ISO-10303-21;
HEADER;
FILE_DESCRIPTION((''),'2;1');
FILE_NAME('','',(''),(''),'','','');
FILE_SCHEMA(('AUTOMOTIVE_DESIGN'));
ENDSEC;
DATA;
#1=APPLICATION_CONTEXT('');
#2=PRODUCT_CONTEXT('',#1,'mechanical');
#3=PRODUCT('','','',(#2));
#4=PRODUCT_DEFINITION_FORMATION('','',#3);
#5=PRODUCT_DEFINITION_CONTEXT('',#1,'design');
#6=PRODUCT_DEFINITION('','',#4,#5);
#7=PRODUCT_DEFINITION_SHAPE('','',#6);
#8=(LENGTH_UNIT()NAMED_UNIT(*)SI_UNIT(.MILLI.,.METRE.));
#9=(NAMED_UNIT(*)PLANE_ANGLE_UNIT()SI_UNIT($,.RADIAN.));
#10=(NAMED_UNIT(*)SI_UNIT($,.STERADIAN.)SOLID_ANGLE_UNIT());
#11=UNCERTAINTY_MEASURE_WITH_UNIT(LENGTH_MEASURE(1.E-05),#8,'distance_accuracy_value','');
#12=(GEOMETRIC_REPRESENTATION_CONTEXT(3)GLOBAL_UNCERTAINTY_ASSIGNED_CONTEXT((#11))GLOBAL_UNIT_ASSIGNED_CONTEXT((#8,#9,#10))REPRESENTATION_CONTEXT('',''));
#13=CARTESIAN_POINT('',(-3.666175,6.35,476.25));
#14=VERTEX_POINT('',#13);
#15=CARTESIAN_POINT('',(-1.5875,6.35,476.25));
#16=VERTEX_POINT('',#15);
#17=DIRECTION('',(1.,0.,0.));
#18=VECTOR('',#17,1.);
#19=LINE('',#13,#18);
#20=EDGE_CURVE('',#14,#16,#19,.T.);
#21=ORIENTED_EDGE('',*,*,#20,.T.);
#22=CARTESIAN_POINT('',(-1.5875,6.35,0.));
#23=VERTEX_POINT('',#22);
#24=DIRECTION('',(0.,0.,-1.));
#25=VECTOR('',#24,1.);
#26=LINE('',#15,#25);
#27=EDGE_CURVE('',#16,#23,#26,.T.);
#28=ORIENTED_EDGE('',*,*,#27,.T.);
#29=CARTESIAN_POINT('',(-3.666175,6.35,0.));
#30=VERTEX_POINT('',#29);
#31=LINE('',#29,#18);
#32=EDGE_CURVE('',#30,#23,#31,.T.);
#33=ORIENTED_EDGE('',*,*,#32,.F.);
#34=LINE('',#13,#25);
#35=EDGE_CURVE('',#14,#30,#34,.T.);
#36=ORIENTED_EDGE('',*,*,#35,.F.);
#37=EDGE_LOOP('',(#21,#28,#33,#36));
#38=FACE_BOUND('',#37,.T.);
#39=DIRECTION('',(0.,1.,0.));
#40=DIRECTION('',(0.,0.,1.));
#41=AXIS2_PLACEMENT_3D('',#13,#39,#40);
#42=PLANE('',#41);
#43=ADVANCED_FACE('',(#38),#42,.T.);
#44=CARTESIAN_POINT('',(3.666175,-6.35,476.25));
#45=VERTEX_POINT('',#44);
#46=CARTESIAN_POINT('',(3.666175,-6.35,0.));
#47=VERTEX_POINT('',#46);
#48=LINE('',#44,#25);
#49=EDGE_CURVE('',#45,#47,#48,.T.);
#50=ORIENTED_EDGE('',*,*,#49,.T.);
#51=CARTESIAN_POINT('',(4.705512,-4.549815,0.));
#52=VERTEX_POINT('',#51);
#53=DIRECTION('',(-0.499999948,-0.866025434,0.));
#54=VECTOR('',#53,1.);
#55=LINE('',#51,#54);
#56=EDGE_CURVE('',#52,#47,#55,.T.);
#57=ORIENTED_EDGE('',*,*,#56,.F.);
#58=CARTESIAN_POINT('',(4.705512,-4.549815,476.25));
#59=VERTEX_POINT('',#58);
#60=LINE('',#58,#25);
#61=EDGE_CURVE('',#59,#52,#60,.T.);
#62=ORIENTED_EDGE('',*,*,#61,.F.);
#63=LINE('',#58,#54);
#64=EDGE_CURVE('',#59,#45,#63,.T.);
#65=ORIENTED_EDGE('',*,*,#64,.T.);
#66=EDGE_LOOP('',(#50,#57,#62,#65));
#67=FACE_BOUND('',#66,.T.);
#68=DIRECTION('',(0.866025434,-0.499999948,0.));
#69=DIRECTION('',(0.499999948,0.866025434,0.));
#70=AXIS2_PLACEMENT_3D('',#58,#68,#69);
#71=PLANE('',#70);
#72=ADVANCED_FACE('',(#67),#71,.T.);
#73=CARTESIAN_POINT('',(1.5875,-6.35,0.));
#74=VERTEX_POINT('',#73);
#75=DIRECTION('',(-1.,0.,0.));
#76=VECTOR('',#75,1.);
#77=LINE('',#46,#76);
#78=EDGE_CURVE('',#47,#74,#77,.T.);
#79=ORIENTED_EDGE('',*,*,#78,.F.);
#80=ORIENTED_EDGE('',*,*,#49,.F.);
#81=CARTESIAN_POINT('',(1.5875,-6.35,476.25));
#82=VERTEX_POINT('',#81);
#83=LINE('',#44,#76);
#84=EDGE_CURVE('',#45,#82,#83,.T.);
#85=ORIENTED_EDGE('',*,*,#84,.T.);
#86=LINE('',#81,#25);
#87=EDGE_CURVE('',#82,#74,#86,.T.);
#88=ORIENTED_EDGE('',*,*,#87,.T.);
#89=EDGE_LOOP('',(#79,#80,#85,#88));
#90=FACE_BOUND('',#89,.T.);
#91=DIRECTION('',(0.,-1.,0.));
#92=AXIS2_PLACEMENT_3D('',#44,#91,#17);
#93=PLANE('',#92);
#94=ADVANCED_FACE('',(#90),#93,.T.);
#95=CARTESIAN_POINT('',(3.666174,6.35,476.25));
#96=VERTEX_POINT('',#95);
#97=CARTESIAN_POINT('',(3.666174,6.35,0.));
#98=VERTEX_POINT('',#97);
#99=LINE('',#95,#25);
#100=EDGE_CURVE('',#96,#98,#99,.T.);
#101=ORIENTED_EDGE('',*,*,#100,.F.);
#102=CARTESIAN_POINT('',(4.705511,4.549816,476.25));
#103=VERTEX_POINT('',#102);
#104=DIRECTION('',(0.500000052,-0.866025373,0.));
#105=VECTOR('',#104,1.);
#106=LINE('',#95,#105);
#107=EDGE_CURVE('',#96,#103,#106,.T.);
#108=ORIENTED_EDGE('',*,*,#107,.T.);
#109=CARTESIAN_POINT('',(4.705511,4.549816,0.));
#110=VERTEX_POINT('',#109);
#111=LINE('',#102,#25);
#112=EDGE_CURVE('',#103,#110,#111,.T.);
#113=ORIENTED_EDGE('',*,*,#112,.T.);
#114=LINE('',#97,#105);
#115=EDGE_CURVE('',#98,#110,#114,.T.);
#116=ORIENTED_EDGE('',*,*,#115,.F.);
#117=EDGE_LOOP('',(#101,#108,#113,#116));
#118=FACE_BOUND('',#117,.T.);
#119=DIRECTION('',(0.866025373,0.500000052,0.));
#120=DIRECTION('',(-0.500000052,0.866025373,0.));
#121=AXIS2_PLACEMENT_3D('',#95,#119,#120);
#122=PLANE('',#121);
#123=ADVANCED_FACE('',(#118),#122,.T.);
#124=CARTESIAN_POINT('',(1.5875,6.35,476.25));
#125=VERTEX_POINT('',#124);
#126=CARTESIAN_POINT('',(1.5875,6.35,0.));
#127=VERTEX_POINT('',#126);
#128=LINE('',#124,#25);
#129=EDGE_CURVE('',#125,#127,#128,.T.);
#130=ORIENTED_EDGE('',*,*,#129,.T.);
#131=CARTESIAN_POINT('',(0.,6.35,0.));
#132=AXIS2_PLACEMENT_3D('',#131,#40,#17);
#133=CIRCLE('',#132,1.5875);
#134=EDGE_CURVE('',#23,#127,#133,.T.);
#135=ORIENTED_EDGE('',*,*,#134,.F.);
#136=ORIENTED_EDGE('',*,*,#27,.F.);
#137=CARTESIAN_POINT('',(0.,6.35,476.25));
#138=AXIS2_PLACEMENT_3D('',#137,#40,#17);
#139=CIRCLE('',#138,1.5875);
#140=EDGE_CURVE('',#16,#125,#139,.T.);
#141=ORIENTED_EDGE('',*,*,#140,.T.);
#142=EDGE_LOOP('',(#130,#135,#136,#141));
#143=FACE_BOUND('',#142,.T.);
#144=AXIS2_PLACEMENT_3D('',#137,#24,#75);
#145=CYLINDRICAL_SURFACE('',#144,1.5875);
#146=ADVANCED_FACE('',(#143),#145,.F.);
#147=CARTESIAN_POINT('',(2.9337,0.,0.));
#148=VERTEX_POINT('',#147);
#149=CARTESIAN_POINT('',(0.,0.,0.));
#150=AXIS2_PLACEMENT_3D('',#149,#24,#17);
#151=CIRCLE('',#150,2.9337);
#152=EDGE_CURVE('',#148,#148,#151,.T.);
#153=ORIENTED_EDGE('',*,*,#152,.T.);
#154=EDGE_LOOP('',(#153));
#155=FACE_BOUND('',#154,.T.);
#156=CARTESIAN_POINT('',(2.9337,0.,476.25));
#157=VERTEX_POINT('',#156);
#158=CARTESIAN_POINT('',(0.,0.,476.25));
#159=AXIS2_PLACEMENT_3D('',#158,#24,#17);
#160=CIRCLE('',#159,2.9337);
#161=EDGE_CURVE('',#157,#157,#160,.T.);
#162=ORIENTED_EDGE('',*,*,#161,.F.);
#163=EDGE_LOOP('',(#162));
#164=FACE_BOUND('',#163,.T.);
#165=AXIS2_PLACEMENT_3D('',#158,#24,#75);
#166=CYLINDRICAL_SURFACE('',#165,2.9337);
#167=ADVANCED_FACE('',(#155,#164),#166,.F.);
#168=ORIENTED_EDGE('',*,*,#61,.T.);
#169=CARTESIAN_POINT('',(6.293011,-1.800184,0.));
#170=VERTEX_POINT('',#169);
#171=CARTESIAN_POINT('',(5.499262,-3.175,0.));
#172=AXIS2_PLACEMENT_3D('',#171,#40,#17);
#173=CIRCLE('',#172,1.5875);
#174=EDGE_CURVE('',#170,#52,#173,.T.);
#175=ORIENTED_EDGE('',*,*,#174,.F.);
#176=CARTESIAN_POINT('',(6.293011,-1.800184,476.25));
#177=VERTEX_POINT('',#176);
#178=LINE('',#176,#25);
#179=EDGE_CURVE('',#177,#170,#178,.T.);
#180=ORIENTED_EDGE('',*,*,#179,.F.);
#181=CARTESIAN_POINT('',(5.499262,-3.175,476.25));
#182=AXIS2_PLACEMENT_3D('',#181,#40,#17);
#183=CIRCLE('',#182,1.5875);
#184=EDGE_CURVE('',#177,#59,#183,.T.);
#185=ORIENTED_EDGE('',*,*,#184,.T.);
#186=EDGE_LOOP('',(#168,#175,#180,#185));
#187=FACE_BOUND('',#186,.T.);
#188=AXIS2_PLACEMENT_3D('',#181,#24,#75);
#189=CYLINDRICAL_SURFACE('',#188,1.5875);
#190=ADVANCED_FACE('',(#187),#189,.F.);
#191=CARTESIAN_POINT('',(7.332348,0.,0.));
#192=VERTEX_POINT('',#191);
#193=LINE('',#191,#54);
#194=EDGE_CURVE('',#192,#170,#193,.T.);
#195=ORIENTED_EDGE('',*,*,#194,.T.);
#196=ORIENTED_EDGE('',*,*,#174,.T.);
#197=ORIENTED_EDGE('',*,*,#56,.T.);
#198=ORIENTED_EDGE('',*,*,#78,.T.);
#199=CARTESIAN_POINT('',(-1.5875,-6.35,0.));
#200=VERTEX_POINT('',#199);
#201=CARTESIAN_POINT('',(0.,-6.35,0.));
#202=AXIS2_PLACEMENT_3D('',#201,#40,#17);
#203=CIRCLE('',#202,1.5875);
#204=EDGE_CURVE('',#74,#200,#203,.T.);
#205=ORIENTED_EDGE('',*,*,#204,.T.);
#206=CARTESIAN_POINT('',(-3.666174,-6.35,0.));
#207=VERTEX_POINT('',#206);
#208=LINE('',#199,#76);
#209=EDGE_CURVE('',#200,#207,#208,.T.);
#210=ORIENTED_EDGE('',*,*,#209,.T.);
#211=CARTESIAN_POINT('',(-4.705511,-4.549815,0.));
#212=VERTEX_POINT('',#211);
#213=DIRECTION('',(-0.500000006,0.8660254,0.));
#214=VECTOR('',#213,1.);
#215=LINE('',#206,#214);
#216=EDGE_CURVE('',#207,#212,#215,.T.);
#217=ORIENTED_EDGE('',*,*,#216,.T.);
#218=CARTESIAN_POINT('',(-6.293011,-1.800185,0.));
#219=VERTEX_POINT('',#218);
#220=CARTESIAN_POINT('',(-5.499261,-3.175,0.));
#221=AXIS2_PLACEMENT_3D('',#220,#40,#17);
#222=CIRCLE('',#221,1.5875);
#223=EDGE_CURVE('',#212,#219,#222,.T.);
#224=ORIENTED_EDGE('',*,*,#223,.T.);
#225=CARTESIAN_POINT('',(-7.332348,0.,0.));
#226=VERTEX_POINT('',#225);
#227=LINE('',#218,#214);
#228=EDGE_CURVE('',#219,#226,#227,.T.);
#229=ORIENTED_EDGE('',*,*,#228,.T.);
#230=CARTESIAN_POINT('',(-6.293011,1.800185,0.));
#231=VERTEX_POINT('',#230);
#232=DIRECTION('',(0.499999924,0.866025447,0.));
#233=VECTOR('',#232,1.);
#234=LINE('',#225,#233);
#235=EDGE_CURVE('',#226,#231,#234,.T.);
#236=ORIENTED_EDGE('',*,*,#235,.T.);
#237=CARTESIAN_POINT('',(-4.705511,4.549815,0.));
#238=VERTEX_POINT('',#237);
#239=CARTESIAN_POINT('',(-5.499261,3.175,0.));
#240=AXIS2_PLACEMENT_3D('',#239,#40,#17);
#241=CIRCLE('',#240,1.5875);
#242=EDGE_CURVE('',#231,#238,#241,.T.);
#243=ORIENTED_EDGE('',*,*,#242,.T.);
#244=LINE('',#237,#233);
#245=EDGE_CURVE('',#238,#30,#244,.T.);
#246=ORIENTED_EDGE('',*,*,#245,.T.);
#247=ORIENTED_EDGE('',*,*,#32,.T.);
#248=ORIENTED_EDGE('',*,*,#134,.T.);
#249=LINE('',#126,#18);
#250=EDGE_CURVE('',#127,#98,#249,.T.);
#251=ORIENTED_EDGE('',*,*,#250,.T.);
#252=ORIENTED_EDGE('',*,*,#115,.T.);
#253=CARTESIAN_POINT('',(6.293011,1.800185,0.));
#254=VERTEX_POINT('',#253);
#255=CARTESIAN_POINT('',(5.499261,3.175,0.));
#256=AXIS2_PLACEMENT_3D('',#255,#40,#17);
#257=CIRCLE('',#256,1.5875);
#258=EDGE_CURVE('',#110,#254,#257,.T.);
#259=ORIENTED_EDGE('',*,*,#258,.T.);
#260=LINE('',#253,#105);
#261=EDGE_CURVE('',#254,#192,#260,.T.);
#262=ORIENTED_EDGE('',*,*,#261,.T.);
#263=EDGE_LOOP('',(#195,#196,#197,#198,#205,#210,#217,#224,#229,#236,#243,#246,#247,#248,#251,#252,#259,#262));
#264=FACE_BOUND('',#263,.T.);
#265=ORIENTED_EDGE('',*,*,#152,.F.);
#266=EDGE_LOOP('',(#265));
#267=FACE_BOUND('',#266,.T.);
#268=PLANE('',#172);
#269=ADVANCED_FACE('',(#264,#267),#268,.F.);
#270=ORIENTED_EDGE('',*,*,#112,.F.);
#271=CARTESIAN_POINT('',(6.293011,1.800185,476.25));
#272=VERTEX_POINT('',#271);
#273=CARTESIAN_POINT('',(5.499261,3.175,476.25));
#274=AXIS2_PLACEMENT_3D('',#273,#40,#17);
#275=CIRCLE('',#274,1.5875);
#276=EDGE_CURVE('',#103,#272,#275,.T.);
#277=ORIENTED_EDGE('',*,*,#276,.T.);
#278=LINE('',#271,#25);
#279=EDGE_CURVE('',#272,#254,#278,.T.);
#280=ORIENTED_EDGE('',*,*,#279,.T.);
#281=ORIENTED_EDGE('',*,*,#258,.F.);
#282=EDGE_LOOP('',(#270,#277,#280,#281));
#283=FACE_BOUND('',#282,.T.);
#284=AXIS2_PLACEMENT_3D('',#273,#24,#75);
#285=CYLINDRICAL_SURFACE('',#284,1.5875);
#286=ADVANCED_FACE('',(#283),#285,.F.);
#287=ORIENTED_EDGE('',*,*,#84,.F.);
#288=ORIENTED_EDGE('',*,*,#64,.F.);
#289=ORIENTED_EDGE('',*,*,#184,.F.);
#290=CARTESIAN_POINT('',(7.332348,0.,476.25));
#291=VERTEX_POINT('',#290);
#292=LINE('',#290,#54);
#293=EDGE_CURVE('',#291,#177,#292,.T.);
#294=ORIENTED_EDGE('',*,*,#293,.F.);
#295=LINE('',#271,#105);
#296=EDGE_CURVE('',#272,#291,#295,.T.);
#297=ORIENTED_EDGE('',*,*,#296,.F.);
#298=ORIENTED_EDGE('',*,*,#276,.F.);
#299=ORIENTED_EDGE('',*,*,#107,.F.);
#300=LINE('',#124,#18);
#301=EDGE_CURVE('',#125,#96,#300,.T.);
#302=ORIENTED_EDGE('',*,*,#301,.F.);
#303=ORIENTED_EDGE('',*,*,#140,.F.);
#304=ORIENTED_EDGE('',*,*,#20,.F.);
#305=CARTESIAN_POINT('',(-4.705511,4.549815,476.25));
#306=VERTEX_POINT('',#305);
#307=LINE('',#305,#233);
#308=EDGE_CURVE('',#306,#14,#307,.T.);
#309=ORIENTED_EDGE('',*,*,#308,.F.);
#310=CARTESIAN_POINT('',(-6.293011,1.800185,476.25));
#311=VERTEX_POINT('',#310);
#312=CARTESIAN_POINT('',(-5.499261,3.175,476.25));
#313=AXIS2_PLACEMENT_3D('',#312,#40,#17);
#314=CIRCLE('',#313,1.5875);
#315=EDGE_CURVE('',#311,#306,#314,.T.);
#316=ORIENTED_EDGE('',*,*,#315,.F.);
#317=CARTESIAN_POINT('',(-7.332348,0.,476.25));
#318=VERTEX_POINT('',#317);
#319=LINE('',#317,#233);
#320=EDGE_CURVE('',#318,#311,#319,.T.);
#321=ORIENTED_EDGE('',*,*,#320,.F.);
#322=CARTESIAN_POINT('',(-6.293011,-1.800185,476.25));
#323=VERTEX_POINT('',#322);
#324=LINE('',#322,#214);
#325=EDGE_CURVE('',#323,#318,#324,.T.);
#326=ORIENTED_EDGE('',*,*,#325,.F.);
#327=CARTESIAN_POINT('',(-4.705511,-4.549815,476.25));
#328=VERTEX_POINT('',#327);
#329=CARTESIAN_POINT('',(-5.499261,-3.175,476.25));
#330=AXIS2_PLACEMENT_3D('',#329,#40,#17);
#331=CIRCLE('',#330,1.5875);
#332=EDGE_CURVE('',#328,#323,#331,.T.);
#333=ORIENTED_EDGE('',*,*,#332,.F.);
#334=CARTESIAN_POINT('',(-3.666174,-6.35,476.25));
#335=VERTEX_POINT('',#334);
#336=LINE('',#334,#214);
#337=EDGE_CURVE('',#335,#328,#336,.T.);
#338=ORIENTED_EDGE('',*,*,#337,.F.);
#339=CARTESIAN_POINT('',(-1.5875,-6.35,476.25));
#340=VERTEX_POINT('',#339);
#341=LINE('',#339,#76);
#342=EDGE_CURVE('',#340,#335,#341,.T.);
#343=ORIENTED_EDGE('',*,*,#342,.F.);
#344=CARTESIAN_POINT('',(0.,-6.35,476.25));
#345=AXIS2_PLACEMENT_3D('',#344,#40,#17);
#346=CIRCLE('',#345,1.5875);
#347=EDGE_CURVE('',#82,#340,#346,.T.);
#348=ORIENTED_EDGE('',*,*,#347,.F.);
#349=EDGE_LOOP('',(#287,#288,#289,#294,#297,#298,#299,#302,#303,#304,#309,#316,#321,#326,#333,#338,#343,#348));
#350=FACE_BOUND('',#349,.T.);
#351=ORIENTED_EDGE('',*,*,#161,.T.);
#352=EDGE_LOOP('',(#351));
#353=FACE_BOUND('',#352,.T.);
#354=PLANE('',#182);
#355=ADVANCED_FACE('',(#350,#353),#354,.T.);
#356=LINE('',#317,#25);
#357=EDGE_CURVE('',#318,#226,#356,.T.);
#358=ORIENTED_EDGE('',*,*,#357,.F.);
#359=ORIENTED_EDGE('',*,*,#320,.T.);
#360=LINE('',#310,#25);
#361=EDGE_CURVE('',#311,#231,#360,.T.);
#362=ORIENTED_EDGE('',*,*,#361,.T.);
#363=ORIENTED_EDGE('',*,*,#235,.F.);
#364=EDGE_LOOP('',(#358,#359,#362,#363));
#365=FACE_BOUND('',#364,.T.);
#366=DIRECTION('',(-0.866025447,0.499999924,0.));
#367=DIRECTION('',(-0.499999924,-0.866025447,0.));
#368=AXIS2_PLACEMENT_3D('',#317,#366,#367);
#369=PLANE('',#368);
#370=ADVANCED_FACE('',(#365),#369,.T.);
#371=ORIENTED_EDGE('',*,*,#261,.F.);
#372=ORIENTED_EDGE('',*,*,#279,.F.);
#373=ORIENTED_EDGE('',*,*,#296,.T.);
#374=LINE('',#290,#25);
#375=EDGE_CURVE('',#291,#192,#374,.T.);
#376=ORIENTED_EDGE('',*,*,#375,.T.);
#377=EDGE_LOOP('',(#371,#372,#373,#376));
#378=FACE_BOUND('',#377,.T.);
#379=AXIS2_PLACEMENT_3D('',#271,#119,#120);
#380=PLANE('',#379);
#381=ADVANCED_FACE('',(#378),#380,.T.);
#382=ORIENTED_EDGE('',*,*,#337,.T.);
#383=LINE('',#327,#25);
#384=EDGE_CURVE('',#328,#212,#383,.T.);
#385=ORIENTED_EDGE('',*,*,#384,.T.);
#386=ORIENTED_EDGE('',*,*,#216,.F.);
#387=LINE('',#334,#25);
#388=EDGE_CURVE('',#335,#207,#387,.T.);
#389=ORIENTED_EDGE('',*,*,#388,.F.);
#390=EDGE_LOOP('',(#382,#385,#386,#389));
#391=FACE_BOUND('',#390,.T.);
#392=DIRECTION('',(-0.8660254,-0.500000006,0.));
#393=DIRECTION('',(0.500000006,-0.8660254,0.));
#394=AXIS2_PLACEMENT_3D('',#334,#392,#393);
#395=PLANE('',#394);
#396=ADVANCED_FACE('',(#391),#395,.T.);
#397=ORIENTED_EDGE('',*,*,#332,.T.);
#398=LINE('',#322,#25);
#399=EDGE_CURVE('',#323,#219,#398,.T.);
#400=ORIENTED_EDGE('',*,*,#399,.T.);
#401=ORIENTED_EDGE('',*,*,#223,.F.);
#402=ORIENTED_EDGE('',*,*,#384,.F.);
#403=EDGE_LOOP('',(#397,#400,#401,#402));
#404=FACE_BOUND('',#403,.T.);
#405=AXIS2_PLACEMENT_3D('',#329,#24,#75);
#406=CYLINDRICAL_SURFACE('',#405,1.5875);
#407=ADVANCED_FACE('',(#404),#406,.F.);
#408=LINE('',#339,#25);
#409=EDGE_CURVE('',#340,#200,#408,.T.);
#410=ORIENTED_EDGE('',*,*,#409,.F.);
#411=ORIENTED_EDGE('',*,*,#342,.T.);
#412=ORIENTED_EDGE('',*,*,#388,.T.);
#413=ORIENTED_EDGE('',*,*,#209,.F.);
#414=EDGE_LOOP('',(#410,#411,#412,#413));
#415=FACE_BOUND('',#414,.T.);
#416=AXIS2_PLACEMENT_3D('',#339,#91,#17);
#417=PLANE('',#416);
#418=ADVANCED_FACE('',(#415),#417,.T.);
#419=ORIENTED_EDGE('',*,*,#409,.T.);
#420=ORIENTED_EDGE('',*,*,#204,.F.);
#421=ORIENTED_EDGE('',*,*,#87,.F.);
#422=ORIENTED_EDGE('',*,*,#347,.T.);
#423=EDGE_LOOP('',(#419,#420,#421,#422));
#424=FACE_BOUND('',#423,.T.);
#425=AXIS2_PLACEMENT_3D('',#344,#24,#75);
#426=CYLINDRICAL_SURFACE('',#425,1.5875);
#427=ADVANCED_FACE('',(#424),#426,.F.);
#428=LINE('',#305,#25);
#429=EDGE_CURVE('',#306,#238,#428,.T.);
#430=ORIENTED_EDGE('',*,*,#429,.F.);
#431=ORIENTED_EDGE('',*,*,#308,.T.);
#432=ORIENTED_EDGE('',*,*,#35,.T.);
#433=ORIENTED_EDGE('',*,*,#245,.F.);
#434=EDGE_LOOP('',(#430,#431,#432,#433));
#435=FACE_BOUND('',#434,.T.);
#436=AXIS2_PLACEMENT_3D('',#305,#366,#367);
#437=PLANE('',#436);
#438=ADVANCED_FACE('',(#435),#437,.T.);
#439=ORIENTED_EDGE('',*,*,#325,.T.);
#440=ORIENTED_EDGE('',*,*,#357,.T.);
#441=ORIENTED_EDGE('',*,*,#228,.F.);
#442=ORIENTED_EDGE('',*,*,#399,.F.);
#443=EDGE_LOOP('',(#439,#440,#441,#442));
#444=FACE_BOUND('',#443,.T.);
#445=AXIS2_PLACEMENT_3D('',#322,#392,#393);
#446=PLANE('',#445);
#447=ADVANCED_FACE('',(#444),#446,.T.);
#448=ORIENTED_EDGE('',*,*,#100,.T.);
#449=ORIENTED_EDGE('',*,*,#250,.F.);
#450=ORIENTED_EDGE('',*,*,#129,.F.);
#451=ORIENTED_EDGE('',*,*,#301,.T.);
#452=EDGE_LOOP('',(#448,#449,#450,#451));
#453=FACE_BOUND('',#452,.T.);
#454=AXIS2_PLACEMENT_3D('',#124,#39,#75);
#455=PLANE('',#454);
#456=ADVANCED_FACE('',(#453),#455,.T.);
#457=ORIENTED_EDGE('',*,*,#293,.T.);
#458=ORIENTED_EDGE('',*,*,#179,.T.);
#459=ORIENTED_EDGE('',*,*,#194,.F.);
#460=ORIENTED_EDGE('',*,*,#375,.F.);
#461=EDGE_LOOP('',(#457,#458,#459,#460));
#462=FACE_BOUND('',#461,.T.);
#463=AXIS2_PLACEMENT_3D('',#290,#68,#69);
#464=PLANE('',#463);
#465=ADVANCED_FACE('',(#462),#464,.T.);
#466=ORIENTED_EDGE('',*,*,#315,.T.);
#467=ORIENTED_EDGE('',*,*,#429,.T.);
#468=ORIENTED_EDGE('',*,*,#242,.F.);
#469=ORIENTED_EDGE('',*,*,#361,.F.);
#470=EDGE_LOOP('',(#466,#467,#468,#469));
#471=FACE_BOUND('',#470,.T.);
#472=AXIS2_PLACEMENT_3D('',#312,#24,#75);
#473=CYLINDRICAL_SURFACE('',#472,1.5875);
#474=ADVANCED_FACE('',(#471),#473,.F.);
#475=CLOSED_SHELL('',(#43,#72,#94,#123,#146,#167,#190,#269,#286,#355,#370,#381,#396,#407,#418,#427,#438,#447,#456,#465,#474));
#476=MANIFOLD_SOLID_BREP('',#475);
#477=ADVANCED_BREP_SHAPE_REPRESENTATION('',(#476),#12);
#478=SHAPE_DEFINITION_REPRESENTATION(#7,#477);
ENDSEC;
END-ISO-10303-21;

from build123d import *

# Parameters (mm, degrees)
SKETCH1_R           = 2.9337
BOSS_EXTRUDE1_DEPTH = 476.25


with BuildPart() as part:
    # Sketch1 → Boss-Extrude1 (new body)
    with BuildSketch(Plane(origin=(0, 0, 0), x_dir=(-1, 0, 0), z_dir=(0, 0, -1))):
        with BuildLine():
            Line((-4.70551159, -4.549815043), (-3.666174521, -6.349999904))
            Line((-3.666174521, -6.349999904), (-1.587500385, -6.349999904))
            ThreePointArc((-1.587500385, -6.349999904), (-3.85e-07, -4.762499904), (1.587499615, -6.349999904))
            Line((1.587499615, -6.349999904), (3.666173825, -6.349999904))
            Line((3.666173825, -6.349999904), (4.705510942, -4.54981524))
            ThreePointArc((4.705510942, -4.54981524), (4.124445629, -2.381249907), (6.293010962, -1.800184594))
            Line((6.293010962, -1.800184594), (7.332348079, 7e-08))
            Line((7.332348079, 7e-08), (6.293011217, 1.800184685))
            ThreePointArc((6.293011217, 1.800184685), (4.124445939, 2.381250203), (4.705511457, 4.549815481))
            Line((4.705511457, 4.549815481), (3.666174521, 6.350000222))
            Line((3.666174521, 6.350000222), (1.587500385, 6.350000222))
            ThreePointArc((1.587500385, 6.350000222), (3.85e-07, 4.762500222), (-1.587499615, 6.350000222))
            Line((-1.587499615, 6.350000222), (-3.666173825, 6.350000222))
            Line((-3.666173825, 6.350000222), (-4.705511038, 4.549815614))
            ThreePointArc((-4.705511038, 4.549815614), (-4.124445841, 2.38125025), (-6.293011205, 1.800185053))
            Line((-6.293011205, 1.800185053), (-7.332348419, 4.44e-07))
            Line((-7.332348419, 4.44e-07), (-6.293011423, -1.80018429))
            ThreePointArc((-6.293011423, -1.80018429), (-4.12444613, -2.38124975), (-4.70551159, -4.549815043))
        make_face()
        Circle(SKETCH1_R, mode=Mode.SUBTRACT)
    extrude(amount=-BOSS_EXTRUDE1_DEPTH)


solid = part.part
